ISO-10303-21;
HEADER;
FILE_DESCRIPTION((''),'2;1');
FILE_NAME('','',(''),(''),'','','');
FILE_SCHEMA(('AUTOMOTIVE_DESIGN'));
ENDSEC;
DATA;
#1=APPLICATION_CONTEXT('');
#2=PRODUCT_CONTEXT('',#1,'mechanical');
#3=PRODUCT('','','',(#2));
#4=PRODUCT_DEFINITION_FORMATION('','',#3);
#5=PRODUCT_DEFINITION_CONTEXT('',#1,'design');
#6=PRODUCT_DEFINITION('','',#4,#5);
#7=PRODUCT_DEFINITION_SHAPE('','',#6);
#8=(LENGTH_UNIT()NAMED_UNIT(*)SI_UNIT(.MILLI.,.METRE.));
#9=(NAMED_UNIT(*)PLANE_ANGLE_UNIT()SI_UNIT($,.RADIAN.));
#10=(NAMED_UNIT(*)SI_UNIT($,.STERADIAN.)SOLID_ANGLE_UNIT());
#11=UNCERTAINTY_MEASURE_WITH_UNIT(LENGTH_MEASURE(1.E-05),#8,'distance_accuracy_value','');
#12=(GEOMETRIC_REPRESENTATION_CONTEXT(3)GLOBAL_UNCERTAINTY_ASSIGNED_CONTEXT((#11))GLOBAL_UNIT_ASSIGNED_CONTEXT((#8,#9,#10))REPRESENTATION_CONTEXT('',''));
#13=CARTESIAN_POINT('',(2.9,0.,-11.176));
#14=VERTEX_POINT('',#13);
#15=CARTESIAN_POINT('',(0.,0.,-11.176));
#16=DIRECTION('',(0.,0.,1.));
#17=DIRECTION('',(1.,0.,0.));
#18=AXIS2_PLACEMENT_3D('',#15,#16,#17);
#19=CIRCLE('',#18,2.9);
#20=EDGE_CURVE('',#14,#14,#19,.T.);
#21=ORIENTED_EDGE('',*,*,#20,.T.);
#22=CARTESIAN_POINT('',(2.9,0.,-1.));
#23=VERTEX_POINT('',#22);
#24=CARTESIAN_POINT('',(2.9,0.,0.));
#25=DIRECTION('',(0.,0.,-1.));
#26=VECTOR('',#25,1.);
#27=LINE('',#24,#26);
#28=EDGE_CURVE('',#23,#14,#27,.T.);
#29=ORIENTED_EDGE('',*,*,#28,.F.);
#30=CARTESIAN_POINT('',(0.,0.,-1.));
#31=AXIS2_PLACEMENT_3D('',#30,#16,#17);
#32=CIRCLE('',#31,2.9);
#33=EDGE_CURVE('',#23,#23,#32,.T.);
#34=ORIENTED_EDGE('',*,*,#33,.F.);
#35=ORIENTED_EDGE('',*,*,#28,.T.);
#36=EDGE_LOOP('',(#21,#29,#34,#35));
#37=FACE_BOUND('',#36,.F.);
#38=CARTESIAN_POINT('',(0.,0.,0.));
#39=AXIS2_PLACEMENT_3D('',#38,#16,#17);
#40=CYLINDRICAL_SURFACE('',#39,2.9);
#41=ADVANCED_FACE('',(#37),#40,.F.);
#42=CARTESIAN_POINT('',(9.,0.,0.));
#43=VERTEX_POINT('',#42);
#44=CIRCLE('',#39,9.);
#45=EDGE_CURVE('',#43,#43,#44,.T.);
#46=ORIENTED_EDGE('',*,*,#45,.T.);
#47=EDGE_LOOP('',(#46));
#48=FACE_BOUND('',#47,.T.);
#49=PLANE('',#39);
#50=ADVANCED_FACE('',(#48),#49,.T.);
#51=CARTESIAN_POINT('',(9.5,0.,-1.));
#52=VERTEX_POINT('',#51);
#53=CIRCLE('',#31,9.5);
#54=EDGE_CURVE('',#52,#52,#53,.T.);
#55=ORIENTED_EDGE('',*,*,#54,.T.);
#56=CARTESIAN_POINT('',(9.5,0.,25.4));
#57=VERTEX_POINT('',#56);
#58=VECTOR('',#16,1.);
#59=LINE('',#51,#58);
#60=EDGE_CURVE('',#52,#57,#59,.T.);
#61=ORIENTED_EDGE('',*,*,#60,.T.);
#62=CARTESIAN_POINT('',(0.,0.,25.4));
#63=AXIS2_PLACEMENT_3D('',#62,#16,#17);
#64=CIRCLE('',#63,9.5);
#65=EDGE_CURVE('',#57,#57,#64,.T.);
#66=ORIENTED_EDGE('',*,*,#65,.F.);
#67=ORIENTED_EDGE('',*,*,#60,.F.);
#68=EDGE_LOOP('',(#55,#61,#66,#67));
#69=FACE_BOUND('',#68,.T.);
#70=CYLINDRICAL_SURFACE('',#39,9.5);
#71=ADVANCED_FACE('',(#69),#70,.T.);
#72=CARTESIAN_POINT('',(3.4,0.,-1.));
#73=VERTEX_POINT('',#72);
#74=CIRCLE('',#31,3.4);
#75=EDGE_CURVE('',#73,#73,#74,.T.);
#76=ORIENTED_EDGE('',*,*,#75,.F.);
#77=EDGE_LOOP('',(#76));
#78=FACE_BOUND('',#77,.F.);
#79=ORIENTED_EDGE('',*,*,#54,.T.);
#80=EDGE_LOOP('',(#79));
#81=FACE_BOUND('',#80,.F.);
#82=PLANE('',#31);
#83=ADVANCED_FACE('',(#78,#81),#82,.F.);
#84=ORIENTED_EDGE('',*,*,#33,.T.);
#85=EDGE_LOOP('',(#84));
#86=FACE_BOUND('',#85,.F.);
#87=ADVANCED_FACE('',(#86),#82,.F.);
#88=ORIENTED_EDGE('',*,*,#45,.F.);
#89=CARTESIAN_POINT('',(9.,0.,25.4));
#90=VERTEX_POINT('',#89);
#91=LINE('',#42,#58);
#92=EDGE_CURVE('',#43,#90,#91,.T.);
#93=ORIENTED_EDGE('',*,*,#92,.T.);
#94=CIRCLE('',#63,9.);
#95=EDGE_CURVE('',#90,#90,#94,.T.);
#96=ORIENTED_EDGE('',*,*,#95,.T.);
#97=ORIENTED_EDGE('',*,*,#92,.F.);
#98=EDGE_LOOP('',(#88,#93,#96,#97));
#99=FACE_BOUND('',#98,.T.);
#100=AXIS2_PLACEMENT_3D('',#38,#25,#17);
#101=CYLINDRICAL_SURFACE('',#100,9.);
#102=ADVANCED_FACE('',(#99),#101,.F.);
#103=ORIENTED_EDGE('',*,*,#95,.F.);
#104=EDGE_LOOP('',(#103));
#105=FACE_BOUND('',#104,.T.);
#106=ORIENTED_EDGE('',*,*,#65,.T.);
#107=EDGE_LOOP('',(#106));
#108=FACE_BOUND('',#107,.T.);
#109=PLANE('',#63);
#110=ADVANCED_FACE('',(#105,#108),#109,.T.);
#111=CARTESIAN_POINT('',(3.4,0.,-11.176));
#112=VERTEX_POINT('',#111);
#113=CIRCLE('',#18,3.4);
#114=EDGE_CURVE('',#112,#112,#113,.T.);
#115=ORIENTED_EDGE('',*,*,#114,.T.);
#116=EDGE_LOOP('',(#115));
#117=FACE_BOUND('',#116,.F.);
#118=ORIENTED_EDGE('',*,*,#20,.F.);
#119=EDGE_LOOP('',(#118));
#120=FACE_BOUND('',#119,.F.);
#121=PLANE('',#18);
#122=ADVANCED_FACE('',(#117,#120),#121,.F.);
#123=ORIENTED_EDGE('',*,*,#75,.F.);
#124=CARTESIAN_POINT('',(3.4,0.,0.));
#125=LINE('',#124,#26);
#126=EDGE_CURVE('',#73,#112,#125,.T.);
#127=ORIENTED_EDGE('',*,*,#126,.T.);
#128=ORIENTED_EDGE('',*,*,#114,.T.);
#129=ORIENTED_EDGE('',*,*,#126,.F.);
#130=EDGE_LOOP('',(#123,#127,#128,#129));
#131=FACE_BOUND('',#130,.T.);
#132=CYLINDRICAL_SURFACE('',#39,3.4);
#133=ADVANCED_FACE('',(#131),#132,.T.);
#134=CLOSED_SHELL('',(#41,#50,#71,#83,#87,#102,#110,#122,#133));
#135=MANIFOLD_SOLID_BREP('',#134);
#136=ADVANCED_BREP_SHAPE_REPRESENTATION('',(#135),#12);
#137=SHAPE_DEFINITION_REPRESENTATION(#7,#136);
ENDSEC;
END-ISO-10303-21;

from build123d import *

# Parameters (mm, degrees)
F0_R     = 9.5
F0_R_2   = 9
F1_DEPTH = 25.4
F0_R_3   = 3.4
F0_R_4   = 2.9
F2_DEPTH = 1
F3_DEPTH = 11.176


with BuildPart() as f1:
    # F0 (on Top) → F1 (new body)
    with BuildSketch(Plane.XY):
        Circle(F0_R)
        Circle(F0_R_2, mode=Mode.SUBTRACT)
    extrude(amount=F1_DEPTH)

    # F0 (on Top) → F2 (join)
    with BuildSketch(Plane.XY):
        Circle(F0_R)
        Circle(F0_R_2, mode=Mode.SUBTRACT)
        Circle(F0_R_2)
        Circle(F0_R_3, mode=Mode.SUBTRACT)
        Circle(F0_R_3)
        Circle(F0_R_4, mode=Mode.SUBTRACT)
        Circle(F0_R_4)
    extrude(amount=-F2_DEPTH)

    # F0 (on Top) → F3 (join)
    with BuildSketch(Plane.XY):
        Circle(F0_R_3)
        Circle(F0_R_4, mode=Mode.SUBTRACT)
    extrude(amount=-F3_DEPTH)


solid = f1.part
